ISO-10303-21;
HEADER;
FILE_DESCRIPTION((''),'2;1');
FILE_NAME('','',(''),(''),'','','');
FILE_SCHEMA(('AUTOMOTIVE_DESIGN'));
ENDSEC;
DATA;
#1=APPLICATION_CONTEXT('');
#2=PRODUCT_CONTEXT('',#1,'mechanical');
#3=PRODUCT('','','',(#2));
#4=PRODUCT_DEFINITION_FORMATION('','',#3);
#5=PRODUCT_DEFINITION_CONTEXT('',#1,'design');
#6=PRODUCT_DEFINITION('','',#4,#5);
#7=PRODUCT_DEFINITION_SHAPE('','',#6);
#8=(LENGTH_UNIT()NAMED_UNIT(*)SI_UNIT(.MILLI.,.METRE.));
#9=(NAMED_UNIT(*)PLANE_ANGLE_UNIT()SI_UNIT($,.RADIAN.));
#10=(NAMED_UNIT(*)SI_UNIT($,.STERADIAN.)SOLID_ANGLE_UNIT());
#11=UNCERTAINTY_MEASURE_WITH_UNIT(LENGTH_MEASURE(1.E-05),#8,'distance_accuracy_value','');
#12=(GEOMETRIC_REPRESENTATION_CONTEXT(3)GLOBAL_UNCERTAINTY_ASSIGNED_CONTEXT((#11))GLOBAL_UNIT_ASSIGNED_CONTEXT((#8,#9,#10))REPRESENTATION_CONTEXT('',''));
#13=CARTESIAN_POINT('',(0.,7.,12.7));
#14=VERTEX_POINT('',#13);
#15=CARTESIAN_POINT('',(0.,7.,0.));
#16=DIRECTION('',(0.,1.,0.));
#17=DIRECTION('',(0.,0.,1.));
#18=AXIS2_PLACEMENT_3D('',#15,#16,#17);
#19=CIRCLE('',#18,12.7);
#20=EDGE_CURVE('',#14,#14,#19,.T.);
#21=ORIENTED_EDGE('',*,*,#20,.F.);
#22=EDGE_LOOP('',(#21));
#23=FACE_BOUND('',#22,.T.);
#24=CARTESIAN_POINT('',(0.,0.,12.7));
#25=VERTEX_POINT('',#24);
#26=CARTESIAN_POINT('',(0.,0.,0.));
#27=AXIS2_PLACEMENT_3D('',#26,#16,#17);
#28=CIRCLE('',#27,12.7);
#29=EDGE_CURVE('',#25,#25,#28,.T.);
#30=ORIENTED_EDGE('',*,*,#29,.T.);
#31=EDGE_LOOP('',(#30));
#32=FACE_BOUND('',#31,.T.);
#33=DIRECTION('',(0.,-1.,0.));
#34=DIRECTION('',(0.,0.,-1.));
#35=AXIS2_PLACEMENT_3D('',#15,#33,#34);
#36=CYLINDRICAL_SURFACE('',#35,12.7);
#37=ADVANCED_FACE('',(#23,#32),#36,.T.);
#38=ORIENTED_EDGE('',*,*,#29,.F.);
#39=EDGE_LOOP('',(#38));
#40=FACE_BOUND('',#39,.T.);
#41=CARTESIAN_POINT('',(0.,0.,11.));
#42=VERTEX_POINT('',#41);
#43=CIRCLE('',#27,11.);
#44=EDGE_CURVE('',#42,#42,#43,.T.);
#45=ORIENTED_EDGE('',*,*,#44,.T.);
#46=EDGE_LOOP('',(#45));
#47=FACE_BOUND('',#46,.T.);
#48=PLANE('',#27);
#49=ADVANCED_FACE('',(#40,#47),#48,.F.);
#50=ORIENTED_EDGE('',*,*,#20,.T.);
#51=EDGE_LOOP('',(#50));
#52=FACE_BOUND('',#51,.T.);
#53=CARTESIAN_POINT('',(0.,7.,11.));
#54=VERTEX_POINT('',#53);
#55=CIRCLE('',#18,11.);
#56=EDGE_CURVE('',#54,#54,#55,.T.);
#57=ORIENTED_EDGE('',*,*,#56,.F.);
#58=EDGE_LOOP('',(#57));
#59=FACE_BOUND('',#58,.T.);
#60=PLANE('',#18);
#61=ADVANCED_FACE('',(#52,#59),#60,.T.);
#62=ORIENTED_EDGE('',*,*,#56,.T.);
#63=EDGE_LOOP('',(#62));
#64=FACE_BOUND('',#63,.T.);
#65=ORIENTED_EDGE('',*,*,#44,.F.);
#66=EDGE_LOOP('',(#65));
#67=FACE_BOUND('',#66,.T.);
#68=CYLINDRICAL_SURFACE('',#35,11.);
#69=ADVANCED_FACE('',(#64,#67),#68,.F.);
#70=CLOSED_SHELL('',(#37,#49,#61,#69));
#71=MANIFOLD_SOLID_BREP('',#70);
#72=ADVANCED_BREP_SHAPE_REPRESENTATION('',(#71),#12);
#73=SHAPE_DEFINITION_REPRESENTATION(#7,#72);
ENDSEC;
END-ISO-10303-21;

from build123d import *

# Parameters (mm, degrees)
SKETCH1_R           = 12.7
SKETCH1_R_2         = 11
BOSS_EXTRUDE1_DEPTH = 7


with BuildPart() as part:
    # Sketch1 → Boss-Extrude1 (new body)
    with BuildSketch(Plane(origin=(0, 0, 0), x_dir=(1, 0, 0), z_dir=(0, 1, 0))):
        Circle(SKETCH1_R)
        Circle(SKETCH1_R_2, mode=Mode.SUBTRACT)
    extrude(amount=BOSS_EXTRUDE1_DEPTH)


solid = part.part
